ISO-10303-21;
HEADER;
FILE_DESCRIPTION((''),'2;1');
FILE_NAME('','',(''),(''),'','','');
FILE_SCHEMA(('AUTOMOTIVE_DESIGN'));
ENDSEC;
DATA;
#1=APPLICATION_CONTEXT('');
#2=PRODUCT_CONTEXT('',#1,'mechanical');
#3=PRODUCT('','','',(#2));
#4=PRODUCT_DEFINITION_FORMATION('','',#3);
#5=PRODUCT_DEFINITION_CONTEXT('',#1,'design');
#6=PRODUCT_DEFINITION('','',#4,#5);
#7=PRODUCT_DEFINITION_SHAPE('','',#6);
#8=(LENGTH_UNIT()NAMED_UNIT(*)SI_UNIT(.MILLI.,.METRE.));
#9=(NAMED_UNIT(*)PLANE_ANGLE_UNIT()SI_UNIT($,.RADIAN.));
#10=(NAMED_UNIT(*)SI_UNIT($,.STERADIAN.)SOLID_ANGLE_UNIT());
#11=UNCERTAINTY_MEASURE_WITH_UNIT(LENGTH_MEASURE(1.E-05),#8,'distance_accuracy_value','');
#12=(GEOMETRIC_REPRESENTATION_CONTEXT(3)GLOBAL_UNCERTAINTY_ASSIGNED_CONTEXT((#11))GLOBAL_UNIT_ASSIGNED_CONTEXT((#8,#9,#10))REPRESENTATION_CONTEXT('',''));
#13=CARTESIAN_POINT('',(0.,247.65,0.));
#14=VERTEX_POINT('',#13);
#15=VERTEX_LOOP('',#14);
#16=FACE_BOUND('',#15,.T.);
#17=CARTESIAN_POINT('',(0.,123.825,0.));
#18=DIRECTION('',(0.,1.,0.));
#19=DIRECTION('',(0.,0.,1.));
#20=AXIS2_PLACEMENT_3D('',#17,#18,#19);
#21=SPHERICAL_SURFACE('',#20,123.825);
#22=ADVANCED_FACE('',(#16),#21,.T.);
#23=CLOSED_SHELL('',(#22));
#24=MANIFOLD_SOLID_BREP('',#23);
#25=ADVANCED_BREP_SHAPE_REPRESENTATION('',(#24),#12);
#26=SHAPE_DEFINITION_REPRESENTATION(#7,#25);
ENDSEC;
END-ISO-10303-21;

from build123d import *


with BuildPart() as part:
    # Sketch2 → Revolve1 (revolve)
    with BuildSketch(Plane(origin=(0, 0, 0), x_dir=(0, 0, -1), z_dir=(1, 0, 0))):
        with BuildLine():
            Line((0, 247.65), (0, 0))
            ThreePointArc((0, 0), (123.825, 123.825), (0, 247.65))
        make_face()
    revolve(axis=Axis((0, 247.65, 0), (0, -1, 0)))


solid = part.part
